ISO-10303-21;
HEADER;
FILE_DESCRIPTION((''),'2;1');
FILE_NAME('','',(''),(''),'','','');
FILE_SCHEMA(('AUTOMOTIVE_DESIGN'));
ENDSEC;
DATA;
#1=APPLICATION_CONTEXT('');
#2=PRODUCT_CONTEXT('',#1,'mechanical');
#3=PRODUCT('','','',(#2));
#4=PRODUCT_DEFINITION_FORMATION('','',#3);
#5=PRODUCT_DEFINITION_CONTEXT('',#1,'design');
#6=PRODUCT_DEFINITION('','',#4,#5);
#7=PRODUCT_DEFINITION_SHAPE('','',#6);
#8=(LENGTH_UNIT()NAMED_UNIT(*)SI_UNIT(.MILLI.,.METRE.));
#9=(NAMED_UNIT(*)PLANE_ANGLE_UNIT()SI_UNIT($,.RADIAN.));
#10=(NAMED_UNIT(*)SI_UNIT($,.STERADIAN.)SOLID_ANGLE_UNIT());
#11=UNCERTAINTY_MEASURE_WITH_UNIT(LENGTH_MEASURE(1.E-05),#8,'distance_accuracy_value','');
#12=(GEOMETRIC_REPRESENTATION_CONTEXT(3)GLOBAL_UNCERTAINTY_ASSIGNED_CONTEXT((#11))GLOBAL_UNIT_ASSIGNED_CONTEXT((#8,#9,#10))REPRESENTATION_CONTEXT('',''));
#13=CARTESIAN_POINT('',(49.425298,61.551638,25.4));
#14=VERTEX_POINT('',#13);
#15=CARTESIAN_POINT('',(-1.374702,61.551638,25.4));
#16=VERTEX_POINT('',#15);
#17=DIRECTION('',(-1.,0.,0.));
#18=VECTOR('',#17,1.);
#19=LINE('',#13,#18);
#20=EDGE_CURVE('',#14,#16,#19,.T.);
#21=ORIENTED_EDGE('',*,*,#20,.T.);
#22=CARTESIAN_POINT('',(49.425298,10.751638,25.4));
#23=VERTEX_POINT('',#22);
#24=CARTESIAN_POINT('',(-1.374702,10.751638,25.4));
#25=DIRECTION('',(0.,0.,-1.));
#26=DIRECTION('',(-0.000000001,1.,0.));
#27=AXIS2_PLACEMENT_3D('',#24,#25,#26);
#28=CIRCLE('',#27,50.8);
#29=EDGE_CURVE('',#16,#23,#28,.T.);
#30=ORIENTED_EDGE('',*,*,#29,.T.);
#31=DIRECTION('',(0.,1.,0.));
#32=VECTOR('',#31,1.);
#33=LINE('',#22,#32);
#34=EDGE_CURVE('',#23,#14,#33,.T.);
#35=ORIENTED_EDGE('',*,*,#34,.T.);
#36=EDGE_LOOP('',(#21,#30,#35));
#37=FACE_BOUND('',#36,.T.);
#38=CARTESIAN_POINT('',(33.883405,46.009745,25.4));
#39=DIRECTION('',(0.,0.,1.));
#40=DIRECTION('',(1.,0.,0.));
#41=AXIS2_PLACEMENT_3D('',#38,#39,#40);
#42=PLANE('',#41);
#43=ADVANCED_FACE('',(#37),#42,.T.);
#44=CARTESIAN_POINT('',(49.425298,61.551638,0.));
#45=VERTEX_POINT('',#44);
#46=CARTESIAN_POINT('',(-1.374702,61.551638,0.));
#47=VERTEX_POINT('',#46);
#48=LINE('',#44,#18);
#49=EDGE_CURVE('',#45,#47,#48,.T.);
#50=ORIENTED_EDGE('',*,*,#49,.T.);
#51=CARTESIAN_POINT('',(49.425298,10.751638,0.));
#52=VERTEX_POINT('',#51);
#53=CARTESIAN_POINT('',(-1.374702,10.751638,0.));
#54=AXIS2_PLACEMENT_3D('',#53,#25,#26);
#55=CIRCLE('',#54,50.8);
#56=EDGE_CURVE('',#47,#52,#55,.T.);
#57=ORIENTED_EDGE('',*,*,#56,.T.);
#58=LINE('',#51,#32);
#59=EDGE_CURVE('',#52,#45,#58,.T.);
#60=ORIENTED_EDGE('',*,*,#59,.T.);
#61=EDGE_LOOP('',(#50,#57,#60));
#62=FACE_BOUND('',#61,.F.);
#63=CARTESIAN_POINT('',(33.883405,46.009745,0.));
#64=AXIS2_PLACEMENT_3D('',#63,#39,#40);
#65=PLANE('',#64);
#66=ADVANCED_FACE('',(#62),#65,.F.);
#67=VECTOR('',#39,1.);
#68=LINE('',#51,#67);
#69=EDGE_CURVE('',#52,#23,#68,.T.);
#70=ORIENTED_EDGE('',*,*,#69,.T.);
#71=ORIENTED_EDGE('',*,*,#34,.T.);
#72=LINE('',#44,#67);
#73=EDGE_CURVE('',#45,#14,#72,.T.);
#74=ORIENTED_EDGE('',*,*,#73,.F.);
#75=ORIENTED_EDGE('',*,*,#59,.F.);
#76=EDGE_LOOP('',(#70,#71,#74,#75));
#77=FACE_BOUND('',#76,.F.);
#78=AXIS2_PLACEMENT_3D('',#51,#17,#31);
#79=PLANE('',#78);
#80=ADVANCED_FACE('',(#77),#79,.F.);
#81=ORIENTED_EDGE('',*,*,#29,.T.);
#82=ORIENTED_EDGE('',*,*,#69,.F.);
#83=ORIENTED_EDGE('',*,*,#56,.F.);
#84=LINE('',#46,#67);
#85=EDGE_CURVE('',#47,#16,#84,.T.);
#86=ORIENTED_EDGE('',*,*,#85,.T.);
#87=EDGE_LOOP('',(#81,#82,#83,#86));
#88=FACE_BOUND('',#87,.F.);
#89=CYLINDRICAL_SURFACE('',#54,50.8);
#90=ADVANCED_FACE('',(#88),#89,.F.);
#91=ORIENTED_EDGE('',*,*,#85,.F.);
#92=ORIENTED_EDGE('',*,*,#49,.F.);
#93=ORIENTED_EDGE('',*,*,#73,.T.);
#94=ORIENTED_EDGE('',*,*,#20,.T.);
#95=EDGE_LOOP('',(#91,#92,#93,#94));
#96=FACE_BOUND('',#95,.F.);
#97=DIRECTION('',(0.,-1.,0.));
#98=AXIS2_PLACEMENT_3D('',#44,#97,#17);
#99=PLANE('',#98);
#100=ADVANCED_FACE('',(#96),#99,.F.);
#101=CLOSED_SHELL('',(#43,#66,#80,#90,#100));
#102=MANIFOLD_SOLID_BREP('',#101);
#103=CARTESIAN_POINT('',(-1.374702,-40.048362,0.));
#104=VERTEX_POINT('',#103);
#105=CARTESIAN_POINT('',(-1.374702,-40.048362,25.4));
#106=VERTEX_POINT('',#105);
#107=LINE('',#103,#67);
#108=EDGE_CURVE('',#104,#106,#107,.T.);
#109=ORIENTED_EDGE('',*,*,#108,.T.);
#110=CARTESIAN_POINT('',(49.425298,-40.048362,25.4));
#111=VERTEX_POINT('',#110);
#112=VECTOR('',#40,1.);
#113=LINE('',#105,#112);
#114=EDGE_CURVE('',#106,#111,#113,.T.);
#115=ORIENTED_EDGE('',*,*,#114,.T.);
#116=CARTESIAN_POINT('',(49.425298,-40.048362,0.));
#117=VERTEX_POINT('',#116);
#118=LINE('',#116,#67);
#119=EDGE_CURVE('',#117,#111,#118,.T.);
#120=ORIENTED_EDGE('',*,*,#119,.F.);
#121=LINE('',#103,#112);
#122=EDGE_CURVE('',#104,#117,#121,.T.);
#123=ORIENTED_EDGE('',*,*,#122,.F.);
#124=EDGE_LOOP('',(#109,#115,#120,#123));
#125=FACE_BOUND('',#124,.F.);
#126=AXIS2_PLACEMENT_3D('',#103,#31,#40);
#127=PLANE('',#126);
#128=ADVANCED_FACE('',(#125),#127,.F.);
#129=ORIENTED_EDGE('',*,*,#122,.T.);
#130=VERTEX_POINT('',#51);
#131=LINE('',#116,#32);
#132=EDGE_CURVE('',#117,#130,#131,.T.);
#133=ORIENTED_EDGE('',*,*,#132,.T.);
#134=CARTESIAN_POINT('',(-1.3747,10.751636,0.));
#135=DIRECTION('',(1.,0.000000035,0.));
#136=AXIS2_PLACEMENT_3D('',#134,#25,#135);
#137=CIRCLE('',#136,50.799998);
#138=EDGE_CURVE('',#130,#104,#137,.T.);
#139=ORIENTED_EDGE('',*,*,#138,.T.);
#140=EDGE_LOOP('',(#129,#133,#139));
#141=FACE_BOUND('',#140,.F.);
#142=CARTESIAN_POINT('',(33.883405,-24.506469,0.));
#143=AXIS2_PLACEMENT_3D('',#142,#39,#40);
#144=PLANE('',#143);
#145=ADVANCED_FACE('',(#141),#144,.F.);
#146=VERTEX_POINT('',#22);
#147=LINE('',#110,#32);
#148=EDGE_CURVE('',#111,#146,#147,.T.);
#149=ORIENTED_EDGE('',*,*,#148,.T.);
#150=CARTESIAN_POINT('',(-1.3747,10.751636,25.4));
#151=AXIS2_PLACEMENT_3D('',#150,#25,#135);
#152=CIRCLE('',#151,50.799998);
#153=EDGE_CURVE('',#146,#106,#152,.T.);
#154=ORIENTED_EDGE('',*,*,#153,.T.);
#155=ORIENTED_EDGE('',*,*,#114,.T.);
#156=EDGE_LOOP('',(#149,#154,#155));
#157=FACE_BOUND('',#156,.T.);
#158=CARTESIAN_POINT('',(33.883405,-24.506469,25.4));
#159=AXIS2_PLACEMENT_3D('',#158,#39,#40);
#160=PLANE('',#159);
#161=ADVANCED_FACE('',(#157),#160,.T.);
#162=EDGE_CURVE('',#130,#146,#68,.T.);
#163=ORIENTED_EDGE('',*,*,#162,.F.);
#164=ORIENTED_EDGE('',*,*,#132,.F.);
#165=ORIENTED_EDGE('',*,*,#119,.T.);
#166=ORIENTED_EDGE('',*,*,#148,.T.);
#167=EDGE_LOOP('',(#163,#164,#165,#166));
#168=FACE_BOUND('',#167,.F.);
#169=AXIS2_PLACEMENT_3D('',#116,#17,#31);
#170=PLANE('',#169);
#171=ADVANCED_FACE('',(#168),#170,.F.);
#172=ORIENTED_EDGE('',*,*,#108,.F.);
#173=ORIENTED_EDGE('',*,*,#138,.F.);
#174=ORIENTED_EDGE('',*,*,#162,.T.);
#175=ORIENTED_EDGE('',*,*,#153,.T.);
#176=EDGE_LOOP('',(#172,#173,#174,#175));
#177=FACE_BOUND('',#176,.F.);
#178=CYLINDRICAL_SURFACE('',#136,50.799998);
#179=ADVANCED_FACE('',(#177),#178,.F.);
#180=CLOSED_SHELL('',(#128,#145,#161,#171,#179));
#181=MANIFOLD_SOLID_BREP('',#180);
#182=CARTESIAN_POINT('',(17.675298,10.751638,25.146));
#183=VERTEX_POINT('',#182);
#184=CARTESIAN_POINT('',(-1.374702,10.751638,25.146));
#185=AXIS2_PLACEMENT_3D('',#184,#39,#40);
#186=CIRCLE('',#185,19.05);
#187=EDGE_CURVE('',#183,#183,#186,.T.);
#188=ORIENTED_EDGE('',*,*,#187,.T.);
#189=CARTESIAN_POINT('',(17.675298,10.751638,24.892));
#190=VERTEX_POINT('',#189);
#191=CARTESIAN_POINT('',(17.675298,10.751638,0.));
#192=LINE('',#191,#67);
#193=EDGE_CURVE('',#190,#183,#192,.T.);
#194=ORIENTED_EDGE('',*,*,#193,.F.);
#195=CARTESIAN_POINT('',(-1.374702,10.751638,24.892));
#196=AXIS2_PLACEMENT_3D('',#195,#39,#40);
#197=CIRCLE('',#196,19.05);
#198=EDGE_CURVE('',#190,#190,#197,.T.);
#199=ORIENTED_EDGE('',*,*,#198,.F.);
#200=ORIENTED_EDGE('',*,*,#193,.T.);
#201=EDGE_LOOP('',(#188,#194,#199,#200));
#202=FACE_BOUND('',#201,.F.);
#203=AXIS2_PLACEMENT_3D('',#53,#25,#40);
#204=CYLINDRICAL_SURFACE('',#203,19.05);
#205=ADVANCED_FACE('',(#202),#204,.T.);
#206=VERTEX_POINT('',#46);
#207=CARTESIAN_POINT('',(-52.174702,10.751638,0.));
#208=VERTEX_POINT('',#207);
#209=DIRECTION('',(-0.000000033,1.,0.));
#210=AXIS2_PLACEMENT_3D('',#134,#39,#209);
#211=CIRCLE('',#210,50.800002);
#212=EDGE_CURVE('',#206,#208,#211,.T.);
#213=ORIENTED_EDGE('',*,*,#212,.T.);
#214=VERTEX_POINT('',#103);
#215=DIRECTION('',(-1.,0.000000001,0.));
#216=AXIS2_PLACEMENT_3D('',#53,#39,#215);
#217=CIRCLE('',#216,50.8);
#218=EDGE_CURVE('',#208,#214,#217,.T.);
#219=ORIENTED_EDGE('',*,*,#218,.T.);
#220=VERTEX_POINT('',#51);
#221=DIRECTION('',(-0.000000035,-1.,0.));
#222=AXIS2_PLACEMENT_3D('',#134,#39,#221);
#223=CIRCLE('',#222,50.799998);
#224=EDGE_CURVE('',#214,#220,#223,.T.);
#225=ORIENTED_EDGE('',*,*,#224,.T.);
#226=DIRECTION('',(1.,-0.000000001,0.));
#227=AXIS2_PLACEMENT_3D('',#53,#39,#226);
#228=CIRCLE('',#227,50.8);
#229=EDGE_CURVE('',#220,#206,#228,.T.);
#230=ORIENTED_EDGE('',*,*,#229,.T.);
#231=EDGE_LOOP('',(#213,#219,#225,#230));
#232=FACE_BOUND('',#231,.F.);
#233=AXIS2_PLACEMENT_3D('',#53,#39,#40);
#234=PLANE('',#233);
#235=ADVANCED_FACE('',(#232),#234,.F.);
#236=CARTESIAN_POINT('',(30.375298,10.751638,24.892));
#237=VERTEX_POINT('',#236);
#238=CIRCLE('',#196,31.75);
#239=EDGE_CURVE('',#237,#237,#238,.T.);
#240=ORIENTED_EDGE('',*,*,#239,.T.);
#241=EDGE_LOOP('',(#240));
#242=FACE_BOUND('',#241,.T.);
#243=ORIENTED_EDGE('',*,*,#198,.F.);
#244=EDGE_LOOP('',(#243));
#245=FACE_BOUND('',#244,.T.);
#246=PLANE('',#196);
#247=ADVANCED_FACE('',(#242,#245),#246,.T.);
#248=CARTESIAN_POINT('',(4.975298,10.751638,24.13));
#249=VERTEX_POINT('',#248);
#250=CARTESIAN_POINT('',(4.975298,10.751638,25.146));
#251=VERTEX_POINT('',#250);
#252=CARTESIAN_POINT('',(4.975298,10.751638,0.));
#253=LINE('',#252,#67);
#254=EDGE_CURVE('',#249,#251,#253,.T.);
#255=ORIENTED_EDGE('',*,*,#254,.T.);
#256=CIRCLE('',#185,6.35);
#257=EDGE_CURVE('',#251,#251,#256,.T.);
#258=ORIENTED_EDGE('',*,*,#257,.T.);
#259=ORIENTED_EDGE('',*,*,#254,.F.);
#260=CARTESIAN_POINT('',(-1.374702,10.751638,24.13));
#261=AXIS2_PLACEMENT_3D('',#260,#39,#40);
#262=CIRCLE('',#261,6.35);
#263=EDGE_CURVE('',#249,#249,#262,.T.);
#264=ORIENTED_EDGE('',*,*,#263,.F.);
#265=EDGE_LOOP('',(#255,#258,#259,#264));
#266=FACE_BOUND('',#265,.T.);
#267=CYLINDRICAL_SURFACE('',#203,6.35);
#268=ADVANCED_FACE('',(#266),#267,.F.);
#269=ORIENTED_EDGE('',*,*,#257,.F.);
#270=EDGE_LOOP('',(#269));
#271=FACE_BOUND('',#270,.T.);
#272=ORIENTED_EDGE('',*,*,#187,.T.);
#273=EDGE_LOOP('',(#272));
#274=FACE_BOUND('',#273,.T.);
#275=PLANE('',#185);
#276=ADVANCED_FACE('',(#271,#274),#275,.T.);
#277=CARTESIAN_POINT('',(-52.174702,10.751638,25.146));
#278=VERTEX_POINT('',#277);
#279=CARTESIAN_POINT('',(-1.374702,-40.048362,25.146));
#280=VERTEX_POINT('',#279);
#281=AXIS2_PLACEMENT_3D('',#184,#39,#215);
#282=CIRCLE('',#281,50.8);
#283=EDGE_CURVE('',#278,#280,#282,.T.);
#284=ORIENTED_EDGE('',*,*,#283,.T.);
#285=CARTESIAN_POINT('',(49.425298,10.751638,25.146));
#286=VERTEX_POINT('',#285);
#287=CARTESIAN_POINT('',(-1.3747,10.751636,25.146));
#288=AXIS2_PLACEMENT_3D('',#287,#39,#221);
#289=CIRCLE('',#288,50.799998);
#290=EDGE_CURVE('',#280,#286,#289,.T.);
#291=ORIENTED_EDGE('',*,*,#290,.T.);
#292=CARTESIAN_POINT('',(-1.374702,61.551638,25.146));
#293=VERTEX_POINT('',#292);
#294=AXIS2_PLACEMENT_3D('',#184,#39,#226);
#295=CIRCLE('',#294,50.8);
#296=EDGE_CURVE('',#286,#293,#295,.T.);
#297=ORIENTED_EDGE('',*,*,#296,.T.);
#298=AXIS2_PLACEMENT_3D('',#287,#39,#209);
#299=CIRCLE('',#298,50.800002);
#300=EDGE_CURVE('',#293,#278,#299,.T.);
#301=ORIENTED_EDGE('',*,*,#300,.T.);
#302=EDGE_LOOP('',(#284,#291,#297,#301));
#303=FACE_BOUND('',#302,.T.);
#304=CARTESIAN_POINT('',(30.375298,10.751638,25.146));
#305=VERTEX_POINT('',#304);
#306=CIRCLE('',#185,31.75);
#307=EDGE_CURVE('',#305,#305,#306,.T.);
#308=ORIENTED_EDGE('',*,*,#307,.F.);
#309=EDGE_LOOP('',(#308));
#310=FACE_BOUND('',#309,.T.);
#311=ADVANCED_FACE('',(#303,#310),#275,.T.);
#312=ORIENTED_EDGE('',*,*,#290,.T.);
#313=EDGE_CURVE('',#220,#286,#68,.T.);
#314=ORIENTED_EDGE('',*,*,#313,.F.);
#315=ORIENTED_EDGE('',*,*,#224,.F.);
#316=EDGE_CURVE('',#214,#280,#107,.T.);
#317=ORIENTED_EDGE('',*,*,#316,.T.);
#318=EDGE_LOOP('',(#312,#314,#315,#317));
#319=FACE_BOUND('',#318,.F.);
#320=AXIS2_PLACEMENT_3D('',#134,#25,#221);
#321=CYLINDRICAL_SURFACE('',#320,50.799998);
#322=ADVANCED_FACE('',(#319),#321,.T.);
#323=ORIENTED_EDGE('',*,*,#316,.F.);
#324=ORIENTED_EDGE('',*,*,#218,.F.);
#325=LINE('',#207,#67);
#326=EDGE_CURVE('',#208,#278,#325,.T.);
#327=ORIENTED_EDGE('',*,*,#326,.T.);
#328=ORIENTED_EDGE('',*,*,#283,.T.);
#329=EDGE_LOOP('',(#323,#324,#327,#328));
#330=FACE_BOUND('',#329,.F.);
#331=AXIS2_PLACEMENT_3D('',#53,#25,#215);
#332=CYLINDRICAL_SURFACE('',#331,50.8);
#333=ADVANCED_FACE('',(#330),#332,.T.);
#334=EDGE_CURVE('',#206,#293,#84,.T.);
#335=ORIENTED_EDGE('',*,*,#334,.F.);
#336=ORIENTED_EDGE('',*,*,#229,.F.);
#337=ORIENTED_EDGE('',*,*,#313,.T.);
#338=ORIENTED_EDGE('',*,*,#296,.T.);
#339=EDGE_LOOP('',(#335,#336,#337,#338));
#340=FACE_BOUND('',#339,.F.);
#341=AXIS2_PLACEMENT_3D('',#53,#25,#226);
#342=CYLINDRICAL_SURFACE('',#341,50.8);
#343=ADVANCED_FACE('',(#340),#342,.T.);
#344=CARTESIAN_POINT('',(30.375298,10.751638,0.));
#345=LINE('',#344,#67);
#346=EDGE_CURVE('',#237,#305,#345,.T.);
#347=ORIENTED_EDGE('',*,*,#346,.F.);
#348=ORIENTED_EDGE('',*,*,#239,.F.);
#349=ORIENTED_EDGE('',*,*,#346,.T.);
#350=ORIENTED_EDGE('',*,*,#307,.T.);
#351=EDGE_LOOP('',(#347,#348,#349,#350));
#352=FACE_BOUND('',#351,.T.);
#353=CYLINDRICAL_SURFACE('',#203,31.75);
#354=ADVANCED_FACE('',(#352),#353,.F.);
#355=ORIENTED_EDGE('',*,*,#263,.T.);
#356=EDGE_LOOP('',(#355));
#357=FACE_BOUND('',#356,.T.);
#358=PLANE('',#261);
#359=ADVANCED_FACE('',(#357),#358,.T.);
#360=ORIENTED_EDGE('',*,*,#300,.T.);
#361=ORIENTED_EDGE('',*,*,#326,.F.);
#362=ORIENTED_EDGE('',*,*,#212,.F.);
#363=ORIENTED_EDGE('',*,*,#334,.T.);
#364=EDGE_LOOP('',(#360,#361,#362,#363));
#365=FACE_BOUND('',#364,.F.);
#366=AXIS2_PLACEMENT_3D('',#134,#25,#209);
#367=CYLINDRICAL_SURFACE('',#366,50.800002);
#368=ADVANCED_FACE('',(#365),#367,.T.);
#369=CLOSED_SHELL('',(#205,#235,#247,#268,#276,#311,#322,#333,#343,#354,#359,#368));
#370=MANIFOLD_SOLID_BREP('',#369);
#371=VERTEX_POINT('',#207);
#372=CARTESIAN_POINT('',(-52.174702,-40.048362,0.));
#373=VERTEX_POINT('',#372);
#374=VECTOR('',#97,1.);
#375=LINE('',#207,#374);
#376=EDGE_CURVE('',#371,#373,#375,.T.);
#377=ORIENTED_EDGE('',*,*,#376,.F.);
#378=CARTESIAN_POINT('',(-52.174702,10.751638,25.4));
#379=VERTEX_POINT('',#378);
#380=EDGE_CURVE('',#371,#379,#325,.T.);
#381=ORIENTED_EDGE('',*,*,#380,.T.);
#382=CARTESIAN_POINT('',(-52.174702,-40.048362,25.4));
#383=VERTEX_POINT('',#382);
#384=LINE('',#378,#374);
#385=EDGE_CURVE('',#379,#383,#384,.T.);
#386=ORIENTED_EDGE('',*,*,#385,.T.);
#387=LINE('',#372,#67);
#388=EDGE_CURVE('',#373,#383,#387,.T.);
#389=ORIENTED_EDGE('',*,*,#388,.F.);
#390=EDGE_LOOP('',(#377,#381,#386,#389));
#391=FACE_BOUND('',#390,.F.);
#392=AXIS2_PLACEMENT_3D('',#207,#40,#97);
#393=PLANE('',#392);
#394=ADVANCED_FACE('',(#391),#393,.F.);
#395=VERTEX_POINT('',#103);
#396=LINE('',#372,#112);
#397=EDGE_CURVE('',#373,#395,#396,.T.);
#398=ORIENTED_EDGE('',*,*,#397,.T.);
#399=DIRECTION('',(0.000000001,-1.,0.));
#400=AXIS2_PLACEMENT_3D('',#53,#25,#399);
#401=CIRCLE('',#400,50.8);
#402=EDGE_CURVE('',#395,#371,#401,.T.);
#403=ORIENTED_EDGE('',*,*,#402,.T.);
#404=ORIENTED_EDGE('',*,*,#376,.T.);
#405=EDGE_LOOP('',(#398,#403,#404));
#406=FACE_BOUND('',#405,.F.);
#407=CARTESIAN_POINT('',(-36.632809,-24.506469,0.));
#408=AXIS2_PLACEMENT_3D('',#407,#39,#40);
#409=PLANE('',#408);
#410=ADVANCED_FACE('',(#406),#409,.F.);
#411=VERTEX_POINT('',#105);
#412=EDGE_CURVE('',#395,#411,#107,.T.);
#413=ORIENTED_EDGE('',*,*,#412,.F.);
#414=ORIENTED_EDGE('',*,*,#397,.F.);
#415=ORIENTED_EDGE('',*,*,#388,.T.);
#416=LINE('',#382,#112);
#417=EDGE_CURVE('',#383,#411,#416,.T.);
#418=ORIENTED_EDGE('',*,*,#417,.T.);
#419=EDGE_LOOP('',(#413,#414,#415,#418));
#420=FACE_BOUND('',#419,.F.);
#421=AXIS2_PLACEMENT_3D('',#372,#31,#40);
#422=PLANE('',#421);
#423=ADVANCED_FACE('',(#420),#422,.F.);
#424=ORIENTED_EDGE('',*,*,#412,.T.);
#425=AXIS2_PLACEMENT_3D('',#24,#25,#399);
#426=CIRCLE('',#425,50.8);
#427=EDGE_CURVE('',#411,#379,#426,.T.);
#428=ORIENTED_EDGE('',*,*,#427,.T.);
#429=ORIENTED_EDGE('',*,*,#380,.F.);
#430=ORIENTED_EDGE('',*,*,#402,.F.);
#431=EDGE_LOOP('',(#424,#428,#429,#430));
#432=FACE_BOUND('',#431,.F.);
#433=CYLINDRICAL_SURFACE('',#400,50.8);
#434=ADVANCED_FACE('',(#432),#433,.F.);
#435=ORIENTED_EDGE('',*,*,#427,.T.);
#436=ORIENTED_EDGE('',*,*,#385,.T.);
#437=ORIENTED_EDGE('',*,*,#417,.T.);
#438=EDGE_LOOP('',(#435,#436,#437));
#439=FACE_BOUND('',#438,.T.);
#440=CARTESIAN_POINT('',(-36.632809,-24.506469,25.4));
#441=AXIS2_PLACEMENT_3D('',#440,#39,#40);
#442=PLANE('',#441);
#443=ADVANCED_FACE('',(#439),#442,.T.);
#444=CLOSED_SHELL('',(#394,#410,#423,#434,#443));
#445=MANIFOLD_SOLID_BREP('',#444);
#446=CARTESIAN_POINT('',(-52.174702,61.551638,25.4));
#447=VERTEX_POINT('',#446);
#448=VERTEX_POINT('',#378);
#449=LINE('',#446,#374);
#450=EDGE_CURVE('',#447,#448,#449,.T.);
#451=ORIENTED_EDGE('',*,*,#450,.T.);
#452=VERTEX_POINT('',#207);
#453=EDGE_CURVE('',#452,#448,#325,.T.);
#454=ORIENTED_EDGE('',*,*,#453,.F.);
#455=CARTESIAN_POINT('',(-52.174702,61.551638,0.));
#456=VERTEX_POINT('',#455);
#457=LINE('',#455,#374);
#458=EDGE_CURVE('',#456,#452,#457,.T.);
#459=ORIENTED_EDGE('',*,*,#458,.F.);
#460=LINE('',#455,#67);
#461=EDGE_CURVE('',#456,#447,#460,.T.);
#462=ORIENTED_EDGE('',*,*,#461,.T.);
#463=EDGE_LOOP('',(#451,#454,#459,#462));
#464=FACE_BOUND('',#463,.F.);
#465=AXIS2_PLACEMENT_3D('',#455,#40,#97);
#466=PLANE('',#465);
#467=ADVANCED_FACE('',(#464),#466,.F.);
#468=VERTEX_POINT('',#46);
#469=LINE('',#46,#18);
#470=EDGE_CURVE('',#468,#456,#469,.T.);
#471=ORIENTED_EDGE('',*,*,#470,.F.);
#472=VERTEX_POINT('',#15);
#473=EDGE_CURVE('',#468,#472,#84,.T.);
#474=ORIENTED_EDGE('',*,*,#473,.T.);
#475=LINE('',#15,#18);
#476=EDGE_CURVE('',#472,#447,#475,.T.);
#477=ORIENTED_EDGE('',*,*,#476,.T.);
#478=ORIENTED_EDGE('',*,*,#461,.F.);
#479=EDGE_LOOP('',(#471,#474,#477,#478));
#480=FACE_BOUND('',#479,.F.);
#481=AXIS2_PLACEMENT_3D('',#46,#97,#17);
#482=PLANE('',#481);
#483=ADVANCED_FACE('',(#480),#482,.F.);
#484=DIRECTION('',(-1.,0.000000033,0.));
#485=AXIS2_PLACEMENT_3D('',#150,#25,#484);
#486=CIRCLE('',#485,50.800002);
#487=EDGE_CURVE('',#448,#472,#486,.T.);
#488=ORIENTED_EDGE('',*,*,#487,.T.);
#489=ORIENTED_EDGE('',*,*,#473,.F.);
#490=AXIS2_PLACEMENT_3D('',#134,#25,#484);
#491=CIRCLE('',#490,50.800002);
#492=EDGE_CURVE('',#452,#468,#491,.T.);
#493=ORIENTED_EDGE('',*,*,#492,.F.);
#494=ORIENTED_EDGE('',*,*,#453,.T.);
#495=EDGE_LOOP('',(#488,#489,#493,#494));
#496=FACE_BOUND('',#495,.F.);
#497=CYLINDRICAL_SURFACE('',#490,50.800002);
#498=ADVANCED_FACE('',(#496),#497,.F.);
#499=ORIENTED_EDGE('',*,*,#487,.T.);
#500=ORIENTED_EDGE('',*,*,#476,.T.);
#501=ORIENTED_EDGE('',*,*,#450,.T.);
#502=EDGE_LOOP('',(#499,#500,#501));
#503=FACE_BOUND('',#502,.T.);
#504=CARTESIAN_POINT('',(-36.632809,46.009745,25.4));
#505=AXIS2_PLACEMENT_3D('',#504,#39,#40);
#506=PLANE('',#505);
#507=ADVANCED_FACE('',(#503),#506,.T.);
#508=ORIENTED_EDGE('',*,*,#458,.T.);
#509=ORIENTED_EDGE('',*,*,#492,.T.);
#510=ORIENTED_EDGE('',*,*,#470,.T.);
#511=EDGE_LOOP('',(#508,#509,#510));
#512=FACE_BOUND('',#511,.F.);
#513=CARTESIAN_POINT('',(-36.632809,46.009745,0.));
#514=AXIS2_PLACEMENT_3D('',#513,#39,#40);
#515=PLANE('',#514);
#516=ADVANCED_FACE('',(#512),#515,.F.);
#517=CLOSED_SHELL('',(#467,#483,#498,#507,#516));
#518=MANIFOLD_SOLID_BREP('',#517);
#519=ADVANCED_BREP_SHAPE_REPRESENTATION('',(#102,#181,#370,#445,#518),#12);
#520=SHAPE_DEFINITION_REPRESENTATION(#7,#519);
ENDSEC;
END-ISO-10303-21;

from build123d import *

# Parameters (mm, degrees)
F1_DEPTH = 25.4
F0_R     = 31.75
F2_DEPTH = 25.146
F0_R_2   = 19.05
F3_DEPTH = 24.892
F0_R_3   = 6.35
F4_DEPTH = 25.146
F5_DEPTH = 24.13


with BuildPart() as f1:
    # F0 (on Top) → F1 (new body)
    with BuildSketch(Plane.XY):
        with BuildLine():
            Line((-52.174702, 61.551638), (-52.174702, 10.751638))
            ThreePointArc((-52.174702, 10.751638), (-37.295726, 46.672662), (-1.374702, 61.551638))
            Line((-1.374702, 61.551638), (-52.174702, 61.551638))
        make_face()
        with BuildLine():
            ThreePointArc((-1.374702, 61.551638), (34.546323, 46.672662), (49.425298, 10.751638))
            Line((49.425298, 10.751638), (49.425298, 61.551638))
            Line((49.425298, 61.551638), (-1.374702, 61.551638))
        make_face()
        with BuildLine():
            Line((-1.374702, -40.048362), (49.425298, -40.048362))
            Line((49.425298, -40.048362), (49.425298, 10.751638))
            ThreePointArc((49.425298, 10.751638), (34.546323, -25.169387), (-1.374702, -40.048362))
        make_face()
        with BuildLine():
            Line((-52.174702, -40.048362), (-1.374702, -40.048362))
            ThreePointArc((-1.374702, -40.048362), (-37.295726, -25.169387), (-52.174702, 10.751638))
            Line((-52.174702, 10.751638), (-52.174702, -40.048362))
        make_face()
    extrude(amount=F1_DEPTH)


with BuildPart() as f2:
    # F0 (on Top) → F2 (new body)
    with BuildSketch(Plane.XY):
        with BuildLine():
            ThreePointArc((-52.174702, 10.751638), (-37.295726, -25.169387), (-1.374702, -40.048362))
            ThreePointArc((-1.374702, -40.048362), (34.546323, -25.169387), (49.425298, 10.751638))
            ThreePointArc((49.425298, 10.751638), (34.546323, 46.672662), (-1.374702, 61.551638))
            ThreePointArc((-1.374702, 61.551638), (-37.295726, 46.672662), (-52.174702, 10.751638))
        make_face()
        with Locations((-1.374702, 10.751638)):
            Circle(F0_R, mode=Mode.SUBTRACT)
    extrude(amount=F2_DEPTH)

    # F0 (on Top) → F3 (join)
    with BuildSketch(Plane.XY):
        with Locations((-1.374702, 10.751638)):
            Circle(F0_R)
        with Locations((-1.374702, 10.751638)):
            Circle(F0_R_2, mode=Mode.SUBTRACT)
    extrude(amount=F3_DEPTH)

    # F0 (on Top) → F4 (join)
    with BuildSketch(Plane.XY):
        with Locations((-1.374702, 10.751638)):
            Circle(F0_R_2)
        with Locations((-1.374702, 10.751638)):
            Circle(F0_R_3, mode=Mode.SUBTRACT)
    extrude(amount=F4_DEPTH)

    # F0 (on Top) → F5 (join)
    with BuildSketch(Plane.XY):
        with Locations((-1.374702, 10.751638)):
            Circle(F0_R_3)
    extrude(amount=F5_DEPTH)


solid = Compound([f1.part, f2.part])
